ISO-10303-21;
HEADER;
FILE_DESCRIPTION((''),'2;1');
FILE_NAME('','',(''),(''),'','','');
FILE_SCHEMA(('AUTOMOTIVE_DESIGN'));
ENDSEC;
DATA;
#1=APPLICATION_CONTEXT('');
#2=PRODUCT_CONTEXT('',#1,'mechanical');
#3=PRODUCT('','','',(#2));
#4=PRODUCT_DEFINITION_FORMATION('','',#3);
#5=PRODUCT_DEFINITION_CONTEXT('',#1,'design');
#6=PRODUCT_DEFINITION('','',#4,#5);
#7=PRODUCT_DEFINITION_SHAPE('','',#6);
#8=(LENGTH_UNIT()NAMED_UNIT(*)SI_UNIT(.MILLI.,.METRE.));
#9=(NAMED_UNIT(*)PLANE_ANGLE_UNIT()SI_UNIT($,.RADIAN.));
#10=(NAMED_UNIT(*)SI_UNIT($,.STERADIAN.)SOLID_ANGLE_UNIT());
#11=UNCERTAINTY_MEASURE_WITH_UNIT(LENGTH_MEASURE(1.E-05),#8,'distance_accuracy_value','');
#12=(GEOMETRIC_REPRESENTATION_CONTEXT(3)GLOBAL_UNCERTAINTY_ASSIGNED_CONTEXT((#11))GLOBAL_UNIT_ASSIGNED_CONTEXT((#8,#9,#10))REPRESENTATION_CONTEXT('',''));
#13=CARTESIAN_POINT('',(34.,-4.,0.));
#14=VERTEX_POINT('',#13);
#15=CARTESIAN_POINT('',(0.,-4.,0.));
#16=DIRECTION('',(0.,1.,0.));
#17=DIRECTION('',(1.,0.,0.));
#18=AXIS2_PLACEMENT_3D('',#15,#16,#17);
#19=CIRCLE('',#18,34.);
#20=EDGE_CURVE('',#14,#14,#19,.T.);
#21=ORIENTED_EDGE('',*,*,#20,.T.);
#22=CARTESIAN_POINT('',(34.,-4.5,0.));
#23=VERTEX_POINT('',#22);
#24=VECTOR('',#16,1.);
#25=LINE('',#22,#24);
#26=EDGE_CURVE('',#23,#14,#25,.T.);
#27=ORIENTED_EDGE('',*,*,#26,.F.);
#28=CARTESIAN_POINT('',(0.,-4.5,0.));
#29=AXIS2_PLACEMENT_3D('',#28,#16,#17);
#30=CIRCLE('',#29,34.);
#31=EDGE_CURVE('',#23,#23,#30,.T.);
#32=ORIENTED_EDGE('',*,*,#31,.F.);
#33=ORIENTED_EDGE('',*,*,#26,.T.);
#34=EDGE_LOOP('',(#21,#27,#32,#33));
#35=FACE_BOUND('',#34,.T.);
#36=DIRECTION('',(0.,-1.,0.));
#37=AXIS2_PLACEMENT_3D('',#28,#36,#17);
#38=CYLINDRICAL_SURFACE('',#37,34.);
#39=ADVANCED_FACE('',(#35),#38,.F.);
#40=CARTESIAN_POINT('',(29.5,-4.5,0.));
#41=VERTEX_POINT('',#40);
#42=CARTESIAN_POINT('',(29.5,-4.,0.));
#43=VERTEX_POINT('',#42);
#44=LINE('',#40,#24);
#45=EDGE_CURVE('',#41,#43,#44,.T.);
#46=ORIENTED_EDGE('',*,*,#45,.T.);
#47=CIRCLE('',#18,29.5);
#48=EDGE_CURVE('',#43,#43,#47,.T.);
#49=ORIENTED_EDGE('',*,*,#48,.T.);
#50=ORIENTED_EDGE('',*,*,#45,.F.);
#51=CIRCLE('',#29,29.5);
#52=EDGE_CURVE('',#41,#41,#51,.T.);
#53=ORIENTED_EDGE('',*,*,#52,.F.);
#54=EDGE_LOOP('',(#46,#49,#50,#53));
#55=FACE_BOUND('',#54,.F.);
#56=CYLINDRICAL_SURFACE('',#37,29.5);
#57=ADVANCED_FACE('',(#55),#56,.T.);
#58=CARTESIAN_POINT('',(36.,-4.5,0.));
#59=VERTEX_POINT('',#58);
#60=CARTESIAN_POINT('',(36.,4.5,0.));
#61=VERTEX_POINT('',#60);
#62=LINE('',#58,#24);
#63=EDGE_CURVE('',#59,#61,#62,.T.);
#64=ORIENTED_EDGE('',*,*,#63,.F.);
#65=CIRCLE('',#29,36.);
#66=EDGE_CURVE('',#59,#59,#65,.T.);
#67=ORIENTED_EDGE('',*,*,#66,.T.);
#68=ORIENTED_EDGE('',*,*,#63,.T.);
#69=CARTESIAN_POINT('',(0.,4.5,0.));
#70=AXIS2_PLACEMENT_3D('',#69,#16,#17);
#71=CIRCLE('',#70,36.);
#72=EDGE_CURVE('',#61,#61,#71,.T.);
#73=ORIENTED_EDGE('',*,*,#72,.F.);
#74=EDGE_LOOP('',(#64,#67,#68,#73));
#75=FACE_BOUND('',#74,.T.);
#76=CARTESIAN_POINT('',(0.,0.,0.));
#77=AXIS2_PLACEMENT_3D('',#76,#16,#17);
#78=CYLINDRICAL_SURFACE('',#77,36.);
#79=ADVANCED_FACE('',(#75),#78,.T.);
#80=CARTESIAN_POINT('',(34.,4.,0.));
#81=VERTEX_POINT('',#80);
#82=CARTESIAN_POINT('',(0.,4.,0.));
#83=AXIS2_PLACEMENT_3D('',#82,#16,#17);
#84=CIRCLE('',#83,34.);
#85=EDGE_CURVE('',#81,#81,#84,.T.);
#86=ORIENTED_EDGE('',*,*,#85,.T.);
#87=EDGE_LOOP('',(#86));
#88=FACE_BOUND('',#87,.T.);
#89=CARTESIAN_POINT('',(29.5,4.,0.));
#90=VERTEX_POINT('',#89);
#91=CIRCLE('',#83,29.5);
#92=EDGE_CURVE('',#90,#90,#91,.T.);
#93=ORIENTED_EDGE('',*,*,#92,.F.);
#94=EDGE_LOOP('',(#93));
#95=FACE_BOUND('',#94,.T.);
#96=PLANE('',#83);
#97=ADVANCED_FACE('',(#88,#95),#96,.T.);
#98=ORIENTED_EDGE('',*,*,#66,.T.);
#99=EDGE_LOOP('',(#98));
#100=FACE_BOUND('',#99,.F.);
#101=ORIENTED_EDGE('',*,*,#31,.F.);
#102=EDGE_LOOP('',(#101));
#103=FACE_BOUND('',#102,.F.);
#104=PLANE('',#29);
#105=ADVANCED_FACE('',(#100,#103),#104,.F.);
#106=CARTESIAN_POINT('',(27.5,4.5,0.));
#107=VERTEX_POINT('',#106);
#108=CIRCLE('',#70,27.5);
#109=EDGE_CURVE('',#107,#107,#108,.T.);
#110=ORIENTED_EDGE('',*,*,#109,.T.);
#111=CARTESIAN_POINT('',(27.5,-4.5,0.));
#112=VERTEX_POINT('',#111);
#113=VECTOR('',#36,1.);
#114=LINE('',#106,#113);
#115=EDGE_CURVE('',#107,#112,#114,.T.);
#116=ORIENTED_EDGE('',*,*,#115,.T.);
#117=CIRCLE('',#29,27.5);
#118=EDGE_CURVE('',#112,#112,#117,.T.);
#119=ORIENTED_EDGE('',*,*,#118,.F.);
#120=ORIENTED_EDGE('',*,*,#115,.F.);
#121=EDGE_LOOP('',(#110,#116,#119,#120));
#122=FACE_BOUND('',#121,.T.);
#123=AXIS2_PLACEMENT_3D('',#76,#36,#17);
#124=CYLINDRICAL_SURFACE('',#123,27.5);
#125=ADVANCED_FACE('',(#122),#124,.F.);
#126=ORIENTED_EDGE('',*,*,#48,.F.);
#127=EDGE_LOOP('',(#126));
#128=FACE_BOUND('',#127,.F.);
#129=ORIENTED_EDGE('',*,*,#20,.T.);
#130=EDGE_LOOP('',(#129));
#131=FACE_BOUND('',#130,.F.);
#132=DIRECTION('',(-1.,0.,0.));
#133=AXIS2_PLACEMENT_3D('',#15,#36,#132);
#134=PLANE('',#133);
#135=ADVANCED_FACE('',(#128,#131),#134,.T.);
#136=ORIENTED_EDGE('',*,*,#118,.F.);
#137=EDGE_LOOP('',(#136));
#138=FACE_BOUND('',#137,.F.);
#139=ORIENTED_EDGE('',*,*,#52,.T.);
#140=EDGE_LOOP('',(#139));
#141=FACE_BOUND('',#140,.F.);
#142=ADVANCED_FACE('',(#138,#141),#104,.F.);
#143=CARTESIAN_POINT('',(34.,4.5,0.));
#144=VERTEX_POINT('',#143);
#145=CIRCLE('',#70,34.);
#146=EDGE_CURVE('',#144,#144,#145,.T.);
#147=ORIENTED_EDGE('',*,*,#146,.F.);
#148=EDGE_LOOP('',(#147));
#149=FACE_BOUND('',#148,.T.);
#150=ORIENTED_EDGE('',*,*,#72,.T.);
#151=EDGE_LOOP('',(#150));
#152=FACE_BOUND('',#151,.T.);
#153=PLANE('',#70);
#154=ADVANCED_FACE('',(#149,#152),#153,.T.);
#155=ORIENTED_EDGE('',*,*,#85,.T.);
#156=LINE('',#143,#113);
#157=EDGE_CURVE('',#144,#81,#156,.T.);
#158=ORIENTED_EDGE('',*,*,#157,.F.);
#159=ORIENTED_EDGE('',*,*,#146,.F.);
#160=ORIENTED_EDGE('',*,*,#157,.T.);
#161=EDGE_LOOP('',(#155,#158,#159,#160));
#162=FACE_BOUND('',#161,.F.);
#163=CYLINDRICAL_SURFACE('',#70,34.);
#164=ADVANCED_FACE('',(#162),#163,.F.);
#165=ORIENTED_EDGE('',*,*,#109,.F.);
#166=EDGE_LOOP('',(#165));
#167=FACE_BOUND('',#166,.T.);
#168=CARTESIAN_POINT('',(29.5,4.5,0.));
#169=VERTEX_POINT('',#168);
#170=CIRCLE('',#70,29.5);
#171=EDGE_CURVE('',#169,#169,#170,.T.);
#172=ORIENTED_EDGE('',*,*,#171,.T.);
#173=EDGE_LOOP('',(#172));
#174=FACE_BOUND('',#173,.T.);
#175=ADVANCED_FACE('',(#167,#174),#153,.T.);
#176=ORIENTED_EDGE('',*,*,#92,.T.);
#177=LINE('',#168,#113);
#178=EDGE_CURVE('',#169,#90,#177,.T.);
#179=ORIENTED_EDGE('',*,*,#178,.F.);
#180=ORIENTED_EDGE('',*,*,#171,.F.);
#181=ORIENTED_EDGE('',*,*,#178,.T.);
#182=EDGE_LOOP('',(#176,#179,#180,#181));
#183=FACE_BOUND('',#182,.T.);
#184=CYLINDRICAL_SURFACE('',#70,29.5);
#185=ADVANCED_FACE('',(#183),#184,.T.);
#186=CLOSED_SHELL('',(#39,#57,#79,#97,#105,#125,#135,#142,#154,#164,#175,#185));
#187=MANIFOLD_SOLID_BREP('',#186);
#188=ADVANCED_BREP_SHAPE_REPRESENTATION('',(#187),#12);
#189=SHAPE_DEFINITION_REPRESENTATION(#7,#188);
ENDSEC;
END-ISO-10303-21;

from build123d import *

# Parameters (mm, degrees)
SKETCH_1_R          = 36
SKETCH_1_R_2        = 27.5
EXTRUDE_1_DEPTH     = 4.5
SKETCH_3_R          = 34
SKETCH_3_R_2        = 29.5
CUT_EXTRUDE_1_DEPTH = 0.5


with BuildPart() as part:
    # 草图1 → 凸台-拉伸1 (new body, symmetric)
    with BuildSketch(Plane(origin=(0, 0, 0), x_dir=(1, 0, 0), z_dir=(0, 1, 0))):
        Circle(SKETCH_1_R)
        Circle(SKETCH_1_R_2, mode=Mode.SUBTRACT)
    extrude(amount=EXTRUDE_1_DEPTH, both=True)

    # 草图3 → 切除-拉伸1 (cut)
    with BuildSketch(Plane(origin=(0, 4.5, 0), x_dir=(1, 0, 0), z_dir=(0, 1, 0))):
        Circle(SKETCH_3_R)
        Circle(SKETCH_3_R_2, mode=Mode.SUBTRACT)
    cut_extrude_1 = extrude(amount=-CUT_EXTRUDE_1_DEPTH, mode=Mode.SUBTRACT)

    # 镜向1: 切除-拉伸1 across plane
    add(cut_extrude_1.mirror(Plane.ZX), mode=Mode.SUBTRACT)


solid = part.part
